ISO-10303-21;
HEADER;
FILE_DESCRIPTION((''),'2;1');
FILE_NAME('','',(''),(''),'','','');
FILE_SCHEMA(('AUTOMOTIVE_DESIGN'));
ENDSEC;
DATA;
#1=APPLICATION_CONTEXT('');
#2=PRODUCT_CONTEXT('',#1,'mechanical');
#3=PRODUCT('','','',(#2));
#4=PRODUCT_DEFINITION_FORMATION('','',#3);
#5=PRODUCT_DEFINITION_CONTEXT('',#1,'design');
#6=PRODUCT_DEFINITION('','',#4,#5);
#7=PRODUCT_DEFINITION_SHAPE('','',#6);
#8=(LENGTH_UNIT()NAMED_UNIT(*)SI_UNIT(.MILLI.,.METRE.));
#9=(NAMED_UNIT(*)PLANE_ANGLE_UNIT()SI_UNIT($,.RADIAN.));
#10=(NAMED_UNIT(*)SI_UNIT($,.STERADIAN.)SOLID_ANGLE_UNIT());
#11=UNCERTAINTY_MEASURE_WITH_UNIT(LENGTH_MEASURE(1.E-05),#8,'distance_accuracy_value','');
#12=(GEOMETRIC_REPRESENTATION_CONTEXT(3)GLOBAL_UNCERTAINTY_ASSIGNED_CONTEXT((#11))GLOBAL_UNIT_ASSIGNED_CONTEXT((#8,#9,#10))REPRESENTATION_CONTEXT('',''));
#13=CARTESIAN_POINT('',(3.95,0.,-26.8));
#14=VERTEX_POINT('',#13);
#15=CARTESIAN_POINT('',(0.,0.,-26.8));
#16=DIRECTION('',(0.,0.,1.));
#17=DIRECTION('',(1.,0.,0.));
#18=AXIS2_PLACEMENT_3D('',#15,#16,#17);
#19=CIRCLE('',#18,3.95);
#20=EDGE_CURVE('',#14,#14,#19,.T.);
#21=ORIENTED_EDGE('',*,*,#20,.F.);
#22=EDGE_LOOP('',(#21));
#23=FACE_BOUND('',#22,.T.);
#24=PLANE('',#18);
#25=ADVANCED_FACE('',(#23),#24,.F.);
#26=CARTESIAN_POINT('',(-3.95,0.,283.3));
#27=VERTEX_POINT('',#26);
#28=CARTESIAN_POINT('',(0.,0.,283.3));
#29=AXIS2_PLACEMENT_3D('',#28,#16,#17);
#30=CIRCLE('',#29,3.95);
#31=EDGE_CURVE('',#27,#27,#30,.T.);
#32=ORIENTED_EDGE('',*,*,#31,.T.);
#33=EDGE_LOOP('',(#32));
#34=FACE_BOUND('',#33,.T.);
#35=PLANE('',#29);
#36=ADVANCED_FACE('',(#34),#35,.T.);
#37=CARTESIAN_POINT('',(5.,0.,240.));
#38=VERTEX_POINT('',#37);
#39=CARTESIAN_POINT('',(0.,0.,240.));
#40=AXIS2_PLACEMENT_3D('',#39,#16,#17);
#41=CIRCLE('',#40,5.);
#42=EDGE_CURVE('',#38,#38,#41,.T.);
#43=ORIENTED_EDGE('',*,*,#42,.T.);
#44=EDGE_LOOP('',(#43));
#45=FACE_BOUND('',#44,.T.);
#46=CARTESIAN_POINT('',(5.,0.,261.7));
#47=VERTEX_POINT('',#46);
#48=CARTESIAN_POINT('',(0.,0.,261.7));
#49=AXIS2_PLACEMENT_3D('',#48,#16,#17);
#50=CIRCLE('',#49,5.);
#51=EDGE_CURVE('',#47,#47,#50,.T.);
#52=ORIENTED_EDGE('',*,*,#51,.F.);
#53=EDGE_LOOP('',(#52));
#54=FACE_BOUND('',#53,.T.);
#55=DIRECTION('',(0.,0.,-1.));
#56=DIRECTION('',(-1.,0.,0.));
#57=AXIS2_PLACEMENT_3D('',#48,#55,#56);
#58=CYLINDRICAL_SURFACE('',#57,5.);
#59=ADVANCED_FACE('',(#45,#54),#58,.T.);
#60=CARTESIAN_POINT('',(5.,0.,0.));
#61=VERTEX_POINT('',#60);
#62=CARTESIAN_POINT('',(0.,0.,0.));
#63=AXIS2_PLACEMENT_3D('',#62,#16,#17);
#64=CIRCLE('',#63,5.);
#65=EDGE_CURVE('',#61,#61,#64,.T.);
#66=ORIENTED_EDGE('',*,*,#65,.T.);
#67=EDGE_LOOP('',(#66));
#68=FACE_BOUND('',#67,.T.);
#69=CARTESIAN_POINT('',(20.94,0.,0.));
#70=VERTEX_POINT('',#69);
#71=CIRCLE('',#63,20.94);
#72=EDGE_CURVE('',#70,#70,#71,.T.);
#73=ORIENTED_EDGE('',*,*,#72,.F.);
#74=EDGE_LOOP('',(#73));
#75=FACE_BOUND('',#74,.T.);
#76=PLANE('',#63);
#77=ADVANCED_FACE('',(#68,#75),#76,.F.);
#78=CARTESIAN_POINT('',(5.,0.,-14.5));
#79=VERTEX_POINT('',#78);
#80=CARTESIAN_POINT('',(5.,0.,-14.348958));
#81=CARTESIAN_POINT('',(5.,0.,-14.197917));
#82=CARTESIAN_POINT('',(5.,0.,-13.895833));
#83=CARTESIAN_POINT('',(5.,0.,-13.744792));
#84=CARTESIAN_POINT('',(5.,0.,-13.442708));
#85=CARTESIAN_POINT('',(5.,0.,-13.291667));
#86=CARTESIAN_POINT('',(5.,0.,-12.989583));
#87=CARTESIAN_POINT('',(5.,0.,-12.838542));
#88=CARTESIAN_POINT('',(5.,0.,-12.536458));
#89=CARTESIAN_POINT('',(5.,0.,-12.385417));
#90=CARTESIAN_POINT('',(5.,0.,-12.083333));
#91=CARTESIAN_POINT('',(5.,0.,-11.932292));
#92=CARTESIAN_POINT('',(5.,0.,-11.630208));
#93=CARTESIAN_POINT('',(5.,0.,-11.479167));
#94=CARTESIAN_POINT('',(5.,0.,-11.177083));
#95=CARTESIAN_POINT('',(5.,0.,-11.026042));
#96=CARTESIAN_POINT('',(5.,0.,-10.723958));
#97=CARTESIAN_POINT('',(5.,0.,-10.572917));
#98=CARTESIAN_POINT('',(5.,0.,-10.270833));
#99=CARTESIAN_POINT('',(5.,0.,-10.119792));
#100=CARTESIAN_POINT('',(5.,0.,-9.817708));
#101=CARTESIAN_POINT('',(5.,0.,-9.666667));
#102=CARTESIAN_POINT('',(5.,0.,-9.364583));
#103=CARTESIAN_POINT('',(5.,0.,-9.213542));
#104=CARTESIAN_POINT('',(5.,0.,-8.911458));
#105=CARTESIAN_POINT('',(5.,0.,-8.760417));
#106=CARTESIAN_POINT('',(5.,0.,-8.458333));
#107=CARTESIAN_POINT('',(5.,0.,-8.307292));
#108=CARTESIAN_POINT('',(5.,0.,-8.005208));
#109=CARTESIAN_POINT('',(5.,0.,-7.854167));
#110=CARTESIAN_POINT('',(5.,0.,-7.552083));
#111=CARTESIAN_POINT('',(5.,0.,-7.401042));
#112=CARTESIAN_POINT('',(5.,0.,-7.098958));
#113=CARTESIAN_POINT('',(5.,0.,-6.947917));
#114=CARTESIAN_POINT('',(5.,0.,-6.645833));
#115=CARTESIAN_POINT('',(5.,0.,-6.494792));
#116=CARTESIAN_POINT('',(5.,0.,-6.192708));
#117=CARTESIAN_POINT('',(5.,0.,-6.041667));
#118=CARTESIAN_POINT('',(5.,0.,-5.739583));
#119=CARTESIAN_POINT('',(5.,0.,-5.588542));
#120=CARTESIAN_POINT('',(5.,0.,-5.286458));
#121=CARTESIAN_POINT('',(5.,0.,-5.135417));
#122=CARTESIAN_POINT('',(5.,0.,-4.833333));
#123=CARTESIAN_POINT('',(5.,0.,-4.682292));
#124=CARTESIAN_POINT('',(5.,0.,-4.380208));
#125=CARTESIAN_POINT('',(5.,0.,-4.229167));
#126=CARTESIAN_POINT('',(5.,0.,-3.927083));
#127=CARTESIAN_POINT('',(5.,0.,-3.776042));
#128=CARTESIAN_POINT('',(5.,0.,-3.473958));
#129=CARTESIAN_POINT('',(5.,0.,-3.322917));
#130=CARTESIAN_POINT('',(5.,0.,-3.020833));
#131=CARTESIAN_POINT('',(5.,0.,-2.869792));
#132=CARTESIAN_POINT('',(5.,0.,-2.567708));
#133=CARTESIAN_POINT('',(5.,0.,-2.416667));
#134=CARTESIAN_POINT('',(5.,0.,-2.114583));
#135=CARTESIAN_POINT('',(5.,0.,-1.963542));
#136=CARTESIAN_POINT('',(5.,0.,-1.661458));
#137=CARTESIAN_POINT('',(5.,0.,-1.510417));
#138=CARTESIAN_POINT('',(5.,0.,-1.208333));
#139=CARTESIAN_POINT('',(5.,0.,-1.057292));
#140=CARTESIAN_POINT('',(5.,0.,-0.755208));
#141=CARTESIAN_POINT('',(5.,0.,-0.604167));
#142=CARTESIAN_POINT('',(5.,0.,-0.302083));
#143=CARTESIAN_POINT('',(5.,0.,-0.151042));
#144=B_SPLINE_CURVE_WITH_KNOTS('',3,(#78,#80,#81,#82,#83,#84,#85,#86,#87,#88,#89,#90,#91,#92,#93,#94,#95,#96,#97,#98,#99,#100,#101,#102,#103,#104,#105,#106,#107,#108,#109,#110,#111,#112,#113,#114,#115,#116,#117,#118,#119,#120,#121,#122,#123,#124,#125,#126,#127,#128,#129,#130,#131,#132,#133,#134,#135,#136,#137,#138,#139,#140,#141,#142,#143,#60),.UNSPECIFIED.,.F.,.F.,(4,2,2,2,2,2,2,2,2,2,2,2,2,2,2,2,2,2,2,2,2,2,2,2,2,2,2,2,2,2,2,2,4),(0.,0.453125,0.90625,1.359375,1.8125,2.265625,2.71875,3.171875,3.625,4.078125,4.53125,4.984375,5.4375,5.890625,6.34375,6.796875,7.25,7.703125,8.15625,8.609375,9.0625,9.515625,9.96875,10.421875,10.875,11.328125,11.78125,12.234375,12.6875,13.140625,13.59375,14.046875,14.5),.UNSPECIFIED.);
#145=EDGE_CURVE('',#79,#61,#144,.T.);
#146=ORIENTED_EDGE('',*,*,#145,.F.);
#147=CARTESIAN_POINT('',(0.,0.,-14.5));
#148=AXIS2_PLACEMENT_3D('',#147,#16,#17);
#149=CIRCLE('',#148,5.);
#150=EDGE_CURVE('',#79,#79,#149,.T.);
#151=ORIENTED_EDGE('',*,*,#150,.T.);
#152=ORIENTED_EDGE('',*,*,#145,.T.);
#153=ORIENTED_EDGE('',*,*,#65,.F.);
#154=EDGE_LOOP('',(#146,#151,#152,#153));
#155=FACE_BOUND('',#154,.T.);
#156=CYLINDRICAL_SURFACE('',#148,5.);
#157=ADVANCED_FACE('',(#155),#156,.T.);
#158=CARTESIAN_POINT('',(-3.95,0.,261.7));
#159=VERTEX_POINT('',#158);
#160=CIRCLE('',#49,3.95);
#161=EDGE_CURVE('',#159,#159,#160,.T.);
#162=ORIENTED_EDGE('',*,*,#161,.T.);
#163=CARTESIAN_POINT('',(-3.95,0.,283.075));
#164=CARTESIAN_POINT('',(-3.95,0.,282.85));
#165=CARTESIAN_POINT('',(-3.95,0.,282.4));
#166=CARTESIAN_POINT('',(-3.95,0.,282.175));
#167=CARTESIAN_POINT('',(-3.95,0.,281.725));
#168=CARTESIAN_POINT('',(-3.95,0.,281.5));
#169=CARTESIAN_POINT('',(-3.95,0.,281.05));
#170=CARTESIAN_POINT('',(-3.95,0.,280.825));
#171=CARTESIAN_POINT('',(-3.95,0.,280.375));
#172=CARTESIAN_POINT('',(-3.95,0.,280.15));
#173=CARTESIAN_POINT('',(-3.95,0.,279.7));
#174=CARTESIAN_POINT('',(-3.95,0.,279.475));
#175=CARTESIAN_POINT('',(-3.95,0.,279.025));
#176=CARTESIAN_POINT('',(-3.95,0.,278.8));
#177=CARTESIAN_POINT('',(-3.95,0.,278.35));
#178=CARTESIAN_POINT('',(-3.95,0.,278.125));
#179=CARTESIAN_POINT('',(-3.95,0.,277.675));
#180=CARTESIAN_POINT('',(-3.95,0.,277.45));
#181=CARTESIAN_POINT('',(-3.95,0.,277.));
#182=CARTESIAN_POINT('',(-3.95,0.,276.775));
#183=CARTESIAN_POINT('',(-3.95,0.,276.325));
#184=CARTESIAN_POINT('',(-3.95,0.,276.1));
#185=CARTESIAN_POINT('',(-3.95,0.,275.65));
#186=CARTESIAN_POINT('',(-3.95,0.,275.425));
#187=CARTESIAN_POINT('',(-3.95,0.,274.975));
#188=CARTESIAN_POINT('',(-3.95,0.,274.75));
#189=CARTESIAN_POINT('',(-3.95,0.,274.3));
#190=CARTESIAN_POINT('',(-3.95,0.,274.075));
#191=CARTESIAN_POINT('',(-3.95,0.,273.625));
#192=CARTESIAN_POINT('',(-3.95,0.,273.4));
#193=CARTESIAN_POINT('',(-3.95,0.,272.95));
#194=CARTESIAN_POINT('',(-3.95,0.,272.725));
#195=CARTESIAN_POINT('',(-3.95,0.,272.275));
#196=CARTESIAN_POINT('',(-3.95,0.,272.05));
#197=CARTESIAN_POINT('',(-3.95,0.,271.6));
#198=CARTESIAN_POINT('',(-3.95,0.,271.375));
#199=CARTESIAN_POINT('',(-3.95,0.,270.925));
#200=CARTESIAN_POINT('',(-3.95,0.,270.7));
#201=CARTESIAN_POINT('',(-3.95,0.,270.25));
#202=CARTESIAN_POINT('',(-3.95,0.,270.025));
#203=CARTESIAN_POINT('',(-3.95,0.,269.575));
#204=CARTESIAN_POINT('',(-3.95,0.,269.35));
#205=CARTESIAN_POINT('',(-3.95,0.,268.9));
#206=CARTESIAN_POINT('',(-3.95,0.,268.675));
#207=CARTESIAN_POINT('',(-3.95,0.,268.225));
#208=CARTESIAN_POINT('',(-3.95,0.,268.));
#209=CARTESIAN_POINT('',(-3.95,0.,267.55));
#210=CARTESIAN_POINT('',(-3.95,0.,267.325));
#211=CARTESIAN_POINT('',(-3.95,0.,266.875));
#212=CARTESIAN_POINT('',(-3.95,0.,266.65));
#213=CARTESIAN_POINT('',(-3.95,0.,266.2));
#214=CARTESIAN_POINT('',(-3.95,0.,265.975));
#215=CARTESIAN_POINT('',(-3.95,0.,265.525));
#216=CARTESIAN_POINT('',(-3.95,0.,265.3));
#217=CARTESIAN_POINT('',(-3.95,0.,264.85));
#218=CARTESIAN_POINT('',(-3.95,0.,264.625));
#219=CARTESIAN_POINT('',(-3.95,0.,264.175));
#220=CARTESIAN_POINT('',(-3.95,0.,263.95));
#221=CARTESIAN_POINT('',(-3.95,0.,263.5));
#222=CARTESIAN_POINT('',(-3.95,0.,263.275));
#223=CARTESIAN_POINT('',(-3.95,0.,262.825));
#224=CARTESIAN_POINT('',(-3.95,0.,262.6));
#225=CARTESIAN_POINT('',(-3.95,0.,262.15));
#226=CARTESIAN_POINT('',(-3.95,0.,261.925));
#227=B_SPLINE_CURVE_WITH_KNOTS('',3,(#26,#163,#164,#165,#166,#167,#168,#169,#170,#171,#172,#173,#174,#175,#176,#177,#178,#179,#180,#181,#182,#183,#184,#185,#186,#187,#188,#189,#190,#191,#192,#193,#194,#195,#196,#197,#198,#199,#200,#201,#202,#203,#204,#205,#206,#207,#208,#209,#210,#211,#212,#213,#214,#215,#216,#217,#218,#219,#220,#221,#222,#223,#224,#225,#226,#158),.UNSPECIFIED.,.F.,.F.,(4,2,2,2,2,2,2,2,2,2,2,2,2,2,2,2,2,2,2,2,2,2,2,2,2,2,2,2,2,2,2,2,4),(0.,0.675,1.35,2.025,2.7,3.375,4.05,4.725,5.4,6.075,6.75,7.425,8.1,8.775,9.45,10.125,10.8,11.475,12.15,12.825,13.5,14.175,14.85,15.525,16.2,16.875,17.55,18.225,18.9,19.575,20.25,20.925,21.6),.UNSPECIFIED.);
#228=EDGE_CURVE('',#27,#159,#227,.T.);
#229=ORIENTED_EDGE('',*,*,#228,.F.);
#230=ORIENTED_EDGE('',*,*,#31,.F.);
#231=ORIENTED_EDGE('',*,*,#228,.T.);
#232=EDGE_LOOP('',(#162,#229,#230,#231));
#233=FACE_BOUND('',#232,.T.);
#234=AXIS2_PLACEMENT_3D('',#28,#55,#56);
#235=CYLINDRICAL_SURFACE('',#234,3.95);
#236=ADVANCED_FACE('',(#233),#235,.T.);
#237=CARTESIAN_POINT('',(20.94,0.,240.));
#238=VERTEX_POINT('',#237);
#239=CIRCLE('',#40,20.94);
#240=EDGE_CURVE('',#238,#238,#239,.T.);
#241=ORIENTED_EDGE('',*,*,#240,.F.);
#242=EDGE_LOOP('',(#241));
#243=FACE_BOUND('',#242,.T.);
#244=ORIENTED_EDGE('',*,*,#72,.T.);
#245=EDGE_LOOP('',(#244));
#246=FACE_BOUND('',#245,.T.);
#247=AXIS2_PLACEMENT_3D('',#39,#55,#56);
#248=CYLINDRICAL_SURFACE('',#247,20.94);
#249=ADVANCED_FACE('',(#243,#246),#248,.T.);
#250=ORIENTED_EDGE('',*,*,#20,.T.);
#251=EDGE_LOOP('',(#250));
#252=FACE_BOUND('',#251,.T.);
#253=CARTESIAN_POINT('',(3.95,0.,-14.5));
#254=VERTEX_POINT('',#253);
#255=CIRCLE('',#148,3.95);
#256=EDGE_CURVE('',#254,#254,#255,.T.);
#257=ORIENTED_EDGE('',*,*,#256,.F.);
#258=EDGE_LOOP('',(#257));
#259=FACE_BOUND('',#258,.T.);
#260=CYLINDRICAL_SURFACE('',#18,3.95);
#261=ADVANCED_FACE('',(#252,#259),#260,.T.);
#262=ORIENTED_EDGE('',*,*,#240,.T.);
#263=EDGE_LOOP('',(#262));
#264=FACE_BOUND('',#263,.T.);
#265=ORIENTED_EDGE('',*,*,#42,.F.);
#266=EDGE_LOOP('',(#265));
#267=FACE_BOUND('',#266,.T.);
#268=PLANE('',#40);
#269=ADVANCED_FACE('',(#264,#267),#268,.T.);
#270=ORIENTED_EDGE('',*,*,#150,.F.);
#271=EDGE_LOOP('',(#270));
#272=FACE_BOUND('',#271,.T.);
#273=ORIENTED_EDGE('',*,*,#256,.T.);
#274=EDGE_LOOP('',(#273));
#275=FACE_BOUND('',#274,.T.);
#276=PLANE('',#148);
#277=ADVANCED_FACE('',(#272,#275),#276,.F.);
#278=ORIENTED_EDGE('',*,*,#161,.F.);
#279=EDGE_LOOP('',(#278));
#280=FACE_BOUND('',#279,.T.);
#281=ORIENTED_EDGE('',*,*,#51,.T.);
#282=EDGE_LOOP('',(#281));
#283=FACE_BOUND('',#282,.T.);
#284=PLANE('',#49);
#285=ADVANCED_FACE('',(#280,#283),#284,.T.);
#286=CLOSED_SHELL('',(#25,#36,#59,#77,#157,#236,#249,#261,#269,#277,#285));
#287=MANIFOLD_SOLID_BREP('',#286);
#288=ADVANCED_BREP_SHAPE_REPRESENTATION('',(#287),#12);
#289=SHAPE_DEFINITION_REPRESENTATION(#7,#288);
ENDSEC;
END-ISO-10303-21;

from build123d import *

# Parameters (mm, degrees)
SKETCH1_R           = 20.94
SKETCH1_R_2         = 5
SKETCH1_R_3         = 3.95
BOSS_EXTRUDE1_DEPTH = 240
SKETCH1_3_R         = 5
BOSS_EXTRUDE2_DEPTH = 14.5
BOSS_EXTRUDE3_START = -14.5
SKETCH1_4_R         = 3.95
BOSS_EXTRUDE3_DEPTH = 12.3
BOSS_EXTRUDE4_START = 261.7
SKETCH1_5_R         = 5
SKETCH1_5_R_2       = 3.95
BOSS_EXTRUDE4_DEPTH = 21.7
BOSS_EXTRUDE5_START = 283.3
SKETCH1_6_R         = 3.95
BOSS_EXTRUDE5_DEPTH = 21.6


with BuildPart() as part:
    # Sketch1 → Boss-Extrude1 (new body)
    # profile 1 of 3: a face of its own
    with BuildSketch(Plane.XY):
        Circle(SKETCH1_R)
        Circle(SKETCH1_R_2, mode=Mode.SUBTRACT)
    # profile 2 of 3: a face of its own
    with BuildSketch(Plane.XY):
        Circle(SKETCH1_R_2)
        Circle(SKETCH1_R_3, mode=Mode.SUBTRACT)
    # profile 3 of 3: a face of its own
    with BuildSketch(Plane.XY):
        Circle(SKETCH1_R_3)
    extrude(amount=BOSS_EXTRUDE1_DEPTH)

    # Sketch1<3> → Boss-Extrude2 (add)
    with BuildSketch(Plane.XY):
        Circle(SKETCH1_3_R)
    extrude(amount=-BOSS_EXTRUDE2_DEPTH)

    # Sketch1<4> → Boss-Extrude3 (add)
    with BuildSketch(Plane.XY.offset(BOSS_EXTRUDE3_START)):
        Circle(SKETCH1_4_R)
    extrude(amount=-BOSS_EXTRUDE3_DEPTH)

    # Sketch1<5> → Boss-Extrude4 (add)
    # profile 1 of 2: a face of its own
    with BuildSketch(Plane.XY.offset(BOSS_EXTRUDE4_START)):
        Circle(SKETCH1_5_R)
        Circle(SKETCH1_5_R_2, mode=Mode.SUBTRACT)
    # profile 2 of 2: a face of its own
    with BuildSketch(Plane.XY.offset(BOSS_EXTRUDE4_START)):
        Circle(SKETCH1_5_R_2)
    extrude(amount=-BOSS_EXTRUDE4_DEPTH)

    # Sketch1<6> → Boss-Extrude5 (add)
    with BuildSketch(Plane.XY.offset(BOSS_EXTRUDE5_START)):
        Circle(SKETCH1_6_R)
    extrude(amount=-BOSS_EXTRUDE5_DEPTH)


solid = part.part
